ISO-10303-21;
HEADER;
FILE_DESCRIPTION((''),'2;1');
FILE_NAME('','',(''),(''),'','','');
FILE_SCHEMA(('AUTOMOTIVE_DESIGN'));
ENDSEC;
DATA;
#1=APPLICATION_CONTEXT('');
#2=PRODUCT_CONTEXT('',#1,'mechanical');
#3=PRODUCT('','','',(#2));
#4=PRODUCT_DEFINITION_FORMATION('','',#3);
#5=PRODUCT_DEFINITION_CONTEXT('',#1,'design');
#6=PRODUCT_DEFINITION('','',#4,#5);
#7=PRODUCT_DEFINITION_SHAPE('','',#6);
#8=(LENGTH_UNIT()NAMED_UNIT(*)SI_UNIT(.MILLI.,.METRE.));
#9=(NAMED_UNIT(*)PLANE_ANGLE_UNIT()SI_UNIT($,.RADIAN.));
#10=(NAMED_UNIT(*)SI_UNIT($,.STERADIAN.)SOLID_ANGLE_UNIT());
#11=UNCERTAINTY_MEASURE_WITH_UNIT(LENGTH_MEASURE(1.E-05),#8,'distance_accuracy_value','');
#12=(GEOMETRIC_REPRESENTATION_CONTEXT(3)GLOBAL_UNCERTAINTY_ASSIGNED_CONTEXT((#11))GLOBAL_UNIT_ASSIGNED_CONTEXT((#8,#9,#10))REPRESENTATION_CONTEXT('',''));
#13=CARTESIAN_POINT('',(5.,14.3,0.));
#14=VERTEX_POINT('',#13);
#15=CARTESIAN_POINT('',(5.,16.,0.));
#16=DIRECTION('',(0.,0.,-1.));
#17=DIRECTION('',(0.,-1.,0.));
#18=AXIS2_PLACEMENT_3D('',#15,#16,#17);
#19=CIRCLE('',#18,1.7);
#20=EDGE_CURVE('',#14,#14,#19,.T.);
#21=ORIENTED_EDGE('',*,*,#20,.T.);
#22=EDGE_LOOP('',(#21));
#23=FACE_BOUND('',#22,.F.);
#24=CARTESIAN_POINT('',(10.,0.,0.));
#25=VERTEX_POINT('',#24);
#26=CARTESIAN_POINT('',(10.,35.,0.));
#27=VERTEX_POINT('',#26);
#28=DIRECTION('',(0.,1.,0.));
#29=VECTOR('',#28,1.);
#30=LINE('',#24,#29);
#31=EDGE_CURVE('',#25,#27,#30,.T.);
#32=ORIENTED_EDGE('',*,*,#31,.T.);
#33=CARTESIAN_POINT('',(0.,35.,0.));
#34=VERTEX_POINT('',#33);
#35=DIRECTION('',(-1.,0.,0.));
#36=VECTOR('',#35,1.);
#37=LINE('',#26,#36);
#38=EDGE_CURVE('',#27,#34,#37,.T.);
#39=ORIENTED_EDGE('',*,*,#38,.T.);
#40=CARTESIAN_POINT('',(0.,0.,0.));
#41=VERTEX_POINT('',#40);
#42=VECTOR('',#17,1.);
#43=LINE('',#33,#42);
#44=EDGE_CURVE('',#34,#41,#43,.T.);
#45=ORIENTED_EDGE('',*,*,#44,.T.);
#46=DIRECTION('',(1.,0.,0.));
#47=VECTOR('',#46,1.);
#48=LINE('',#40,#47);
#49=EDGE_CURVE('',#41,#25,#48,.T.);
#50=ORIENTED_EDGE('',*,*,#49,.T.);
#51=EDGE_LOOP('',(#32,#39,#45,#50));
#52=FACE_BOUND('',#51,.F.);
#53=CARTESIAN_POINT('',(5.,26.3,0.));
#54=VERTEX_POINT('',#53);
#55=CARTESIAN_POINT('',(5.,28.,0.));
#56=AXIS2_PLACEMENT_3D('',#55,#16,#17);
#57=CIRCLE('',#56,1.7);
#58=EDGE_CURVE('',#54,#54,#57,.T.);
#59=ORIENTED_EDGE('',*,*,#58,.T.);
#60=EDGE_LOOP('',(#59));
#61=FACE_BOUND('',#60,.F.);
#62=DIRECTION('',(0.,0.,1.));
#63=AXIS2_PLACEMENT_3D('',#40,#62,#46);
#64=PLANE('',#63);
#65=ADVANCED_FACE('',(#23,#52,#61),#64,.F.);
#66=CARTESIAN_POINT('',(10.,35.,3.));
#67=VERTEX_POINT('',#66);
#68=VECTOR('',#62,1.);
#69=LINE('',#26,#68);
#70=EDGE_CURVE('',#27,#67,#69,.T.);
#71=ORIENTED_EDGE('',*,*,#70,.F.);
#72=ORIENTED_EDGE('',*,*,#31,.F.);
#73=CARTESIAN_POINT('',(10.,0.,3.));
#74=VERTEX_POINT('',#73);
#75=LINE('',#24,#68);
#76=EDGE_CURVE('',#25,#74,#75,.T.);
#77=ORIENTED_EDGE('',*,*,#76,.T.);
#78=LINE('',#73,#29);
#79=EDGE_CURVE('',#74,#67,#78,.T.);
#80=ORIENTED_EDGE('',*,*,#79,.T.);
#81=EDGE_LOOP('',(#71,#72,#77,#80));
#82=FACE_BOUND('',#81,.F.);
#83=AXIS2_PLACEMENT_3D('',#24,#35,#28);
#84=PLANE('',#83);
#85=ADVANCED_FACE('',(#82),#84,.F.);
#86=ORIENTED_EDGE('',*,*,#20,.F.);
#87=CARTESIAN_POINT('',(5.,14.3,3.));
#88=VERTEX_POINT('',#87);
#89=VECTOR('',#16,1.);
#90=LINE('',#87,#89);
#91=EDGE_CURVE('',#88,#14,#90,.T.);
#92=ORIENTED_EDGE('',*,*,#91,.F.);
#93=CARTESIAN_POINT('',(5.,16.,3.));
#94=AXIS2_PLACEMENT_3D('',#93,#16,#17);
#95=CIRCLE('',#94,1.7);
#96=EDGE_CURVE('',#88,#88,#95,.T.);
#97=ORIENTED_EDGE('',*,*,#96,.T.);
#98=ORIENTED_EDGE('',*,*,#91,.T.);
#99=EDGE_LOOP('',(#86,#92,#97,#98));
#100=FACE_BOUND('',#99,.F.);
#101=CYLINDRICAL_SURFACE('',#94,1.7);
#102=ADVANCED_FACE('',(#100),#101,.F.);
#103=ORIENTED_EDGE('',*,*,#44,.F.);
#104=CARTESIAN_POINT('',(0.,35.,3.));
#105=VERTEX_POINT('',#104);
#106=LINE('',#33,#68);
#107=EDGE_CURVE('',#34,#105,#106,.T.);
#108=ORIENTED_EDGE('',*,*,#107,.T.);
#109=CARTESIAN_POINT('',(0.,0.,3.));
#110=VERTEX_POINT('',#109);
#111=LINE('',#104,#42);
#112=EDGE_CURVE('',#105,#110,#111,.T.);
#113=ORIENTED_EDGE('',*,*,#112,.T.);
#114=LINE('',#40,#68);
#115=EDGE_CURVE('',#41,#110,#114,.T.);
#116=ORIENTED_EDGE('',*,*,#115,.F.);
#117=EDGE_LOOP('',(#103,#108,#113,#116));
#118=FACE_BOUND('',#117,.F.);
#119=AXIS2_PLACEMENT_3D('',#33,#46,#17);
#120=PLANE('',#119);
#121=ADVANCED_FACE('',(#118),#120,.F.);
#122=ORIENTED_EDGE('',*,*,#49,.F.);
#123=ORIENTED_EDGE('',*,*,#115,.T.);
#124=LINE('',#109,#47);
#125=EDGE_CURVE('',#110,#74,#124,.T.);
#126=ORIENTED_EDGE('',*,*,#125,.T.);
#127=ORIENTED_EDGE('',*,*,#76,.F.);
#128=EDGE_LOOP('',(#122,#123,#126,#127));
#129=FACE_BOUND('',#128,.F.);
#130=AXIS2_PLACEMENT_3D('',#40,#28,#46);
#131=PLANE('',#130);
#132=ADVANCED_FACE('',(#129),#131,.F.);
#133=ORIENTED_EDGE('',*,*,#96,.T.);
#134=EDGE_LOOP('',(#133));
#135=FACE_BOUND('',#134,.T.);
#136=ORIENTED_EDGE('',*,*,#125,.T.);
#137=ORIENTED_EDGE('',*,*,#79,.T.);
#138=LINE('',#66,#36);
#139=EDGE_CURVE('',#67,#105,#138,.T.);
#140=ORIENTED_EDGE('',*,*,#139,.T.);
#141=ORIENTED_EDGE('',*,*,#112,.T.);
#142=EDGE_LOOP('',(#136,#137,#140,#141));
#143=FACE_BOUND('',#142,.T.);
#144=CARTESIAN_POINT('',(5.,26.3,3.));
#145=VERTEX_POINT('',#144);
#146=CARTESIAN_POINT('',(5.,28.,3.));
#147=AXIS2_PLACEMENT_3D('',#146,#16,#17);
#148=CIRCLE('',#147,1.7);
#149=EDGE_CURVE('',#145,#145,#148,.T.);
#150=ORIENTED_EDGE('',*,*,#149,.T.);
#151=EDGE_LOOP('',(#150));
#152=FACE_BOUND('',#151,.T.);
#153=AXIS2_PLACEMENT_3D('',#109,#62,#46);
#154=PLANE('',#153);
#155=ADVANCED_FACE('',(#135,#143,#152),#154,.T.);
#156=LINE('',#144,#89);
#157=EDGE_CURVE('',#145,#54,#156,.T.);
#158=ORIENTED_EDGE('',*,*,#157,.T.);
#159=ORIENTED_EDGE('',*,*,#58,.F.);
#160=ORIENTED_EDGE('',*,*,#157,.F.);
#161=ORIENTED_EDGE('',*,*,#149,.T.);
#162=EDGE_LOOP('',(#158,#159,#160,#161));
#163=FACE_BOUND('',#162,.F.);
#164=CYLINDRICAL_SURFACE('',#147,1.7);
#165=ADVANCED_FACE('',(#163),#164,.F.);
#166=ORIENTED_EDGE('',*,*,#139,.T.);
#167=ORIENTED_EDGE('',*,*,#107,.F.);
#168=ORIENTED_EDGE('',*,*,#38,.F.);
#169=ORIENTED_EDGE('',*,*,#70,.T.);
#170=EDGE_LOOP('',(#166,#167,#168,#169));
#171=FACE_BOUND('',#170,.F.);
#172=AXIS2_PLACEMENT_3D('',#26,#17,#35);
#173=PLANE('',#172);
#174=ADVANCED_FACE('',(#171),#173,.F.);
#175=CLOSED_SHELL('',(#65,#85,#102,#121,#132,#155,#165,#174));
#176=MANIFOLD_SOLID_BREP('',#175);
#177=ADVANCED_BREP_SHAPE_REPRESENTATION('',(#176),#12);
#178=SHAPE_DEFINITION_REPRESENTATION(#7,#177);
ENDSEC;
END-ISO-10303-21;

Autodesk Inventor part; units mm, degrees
ref_plane "YZ Plane" through (0, 0, 0) normal (1, 0, 0) x (0, 1, 0)
ref_plane "XZ Plane" through (0, 0, 0) normal (0, 1, 0) x (-1, 0, 0)
ref_plane "XY Plane" through (0, 0, 0) normal (0, 0, 1) x (1, 0, 0)
sketch "Sketch1" plane through (0, 0, 0) normal (0, 0, 1) x (1, 0, 0)
  line L0 (0, 0) -> (10, 0)
  line L1 (10, 0) -> (10, 35)
  line L2 (10, 35) -> (0, 35)
  line L3 (0, 35) -> (0, 0)
  dimension "d0" = 10
  dimension "d1" = 35
extrude "Extrusion1" add sketch "Sketch1" along normal blind 3
sketch "Sketch2" plane through (0, 0, 3) normal (0, 0, 1) x (1, 0, 0)
  line L0 (10, 35) -> (0, 35) projected
  line L1 (0, 35) -> (0, 0) projected
  point P0 (5, 28)
  point P1 (5, 16)
  dimension "d4" = 7
  dimension "d5" = 5
  dimension "d6" = 12
  dimension "d7" = 5
hole "Hole1" at (5, 28, 3) at (5, 16, 3) direction (0, 0, -1) diameter 3.4 end through all
sketch "Sketch3" plane through (0, 0, 3) normal (0, 0, 1) x (1, 0, 0)
  point P0 (0, 0)
sketch "Sketch4" plane through (0, 0, 3) normal (0, 0, 1) x (1, 0, 0)
  point P0 (0, 0)
properties part number "servoPipeConnection"
